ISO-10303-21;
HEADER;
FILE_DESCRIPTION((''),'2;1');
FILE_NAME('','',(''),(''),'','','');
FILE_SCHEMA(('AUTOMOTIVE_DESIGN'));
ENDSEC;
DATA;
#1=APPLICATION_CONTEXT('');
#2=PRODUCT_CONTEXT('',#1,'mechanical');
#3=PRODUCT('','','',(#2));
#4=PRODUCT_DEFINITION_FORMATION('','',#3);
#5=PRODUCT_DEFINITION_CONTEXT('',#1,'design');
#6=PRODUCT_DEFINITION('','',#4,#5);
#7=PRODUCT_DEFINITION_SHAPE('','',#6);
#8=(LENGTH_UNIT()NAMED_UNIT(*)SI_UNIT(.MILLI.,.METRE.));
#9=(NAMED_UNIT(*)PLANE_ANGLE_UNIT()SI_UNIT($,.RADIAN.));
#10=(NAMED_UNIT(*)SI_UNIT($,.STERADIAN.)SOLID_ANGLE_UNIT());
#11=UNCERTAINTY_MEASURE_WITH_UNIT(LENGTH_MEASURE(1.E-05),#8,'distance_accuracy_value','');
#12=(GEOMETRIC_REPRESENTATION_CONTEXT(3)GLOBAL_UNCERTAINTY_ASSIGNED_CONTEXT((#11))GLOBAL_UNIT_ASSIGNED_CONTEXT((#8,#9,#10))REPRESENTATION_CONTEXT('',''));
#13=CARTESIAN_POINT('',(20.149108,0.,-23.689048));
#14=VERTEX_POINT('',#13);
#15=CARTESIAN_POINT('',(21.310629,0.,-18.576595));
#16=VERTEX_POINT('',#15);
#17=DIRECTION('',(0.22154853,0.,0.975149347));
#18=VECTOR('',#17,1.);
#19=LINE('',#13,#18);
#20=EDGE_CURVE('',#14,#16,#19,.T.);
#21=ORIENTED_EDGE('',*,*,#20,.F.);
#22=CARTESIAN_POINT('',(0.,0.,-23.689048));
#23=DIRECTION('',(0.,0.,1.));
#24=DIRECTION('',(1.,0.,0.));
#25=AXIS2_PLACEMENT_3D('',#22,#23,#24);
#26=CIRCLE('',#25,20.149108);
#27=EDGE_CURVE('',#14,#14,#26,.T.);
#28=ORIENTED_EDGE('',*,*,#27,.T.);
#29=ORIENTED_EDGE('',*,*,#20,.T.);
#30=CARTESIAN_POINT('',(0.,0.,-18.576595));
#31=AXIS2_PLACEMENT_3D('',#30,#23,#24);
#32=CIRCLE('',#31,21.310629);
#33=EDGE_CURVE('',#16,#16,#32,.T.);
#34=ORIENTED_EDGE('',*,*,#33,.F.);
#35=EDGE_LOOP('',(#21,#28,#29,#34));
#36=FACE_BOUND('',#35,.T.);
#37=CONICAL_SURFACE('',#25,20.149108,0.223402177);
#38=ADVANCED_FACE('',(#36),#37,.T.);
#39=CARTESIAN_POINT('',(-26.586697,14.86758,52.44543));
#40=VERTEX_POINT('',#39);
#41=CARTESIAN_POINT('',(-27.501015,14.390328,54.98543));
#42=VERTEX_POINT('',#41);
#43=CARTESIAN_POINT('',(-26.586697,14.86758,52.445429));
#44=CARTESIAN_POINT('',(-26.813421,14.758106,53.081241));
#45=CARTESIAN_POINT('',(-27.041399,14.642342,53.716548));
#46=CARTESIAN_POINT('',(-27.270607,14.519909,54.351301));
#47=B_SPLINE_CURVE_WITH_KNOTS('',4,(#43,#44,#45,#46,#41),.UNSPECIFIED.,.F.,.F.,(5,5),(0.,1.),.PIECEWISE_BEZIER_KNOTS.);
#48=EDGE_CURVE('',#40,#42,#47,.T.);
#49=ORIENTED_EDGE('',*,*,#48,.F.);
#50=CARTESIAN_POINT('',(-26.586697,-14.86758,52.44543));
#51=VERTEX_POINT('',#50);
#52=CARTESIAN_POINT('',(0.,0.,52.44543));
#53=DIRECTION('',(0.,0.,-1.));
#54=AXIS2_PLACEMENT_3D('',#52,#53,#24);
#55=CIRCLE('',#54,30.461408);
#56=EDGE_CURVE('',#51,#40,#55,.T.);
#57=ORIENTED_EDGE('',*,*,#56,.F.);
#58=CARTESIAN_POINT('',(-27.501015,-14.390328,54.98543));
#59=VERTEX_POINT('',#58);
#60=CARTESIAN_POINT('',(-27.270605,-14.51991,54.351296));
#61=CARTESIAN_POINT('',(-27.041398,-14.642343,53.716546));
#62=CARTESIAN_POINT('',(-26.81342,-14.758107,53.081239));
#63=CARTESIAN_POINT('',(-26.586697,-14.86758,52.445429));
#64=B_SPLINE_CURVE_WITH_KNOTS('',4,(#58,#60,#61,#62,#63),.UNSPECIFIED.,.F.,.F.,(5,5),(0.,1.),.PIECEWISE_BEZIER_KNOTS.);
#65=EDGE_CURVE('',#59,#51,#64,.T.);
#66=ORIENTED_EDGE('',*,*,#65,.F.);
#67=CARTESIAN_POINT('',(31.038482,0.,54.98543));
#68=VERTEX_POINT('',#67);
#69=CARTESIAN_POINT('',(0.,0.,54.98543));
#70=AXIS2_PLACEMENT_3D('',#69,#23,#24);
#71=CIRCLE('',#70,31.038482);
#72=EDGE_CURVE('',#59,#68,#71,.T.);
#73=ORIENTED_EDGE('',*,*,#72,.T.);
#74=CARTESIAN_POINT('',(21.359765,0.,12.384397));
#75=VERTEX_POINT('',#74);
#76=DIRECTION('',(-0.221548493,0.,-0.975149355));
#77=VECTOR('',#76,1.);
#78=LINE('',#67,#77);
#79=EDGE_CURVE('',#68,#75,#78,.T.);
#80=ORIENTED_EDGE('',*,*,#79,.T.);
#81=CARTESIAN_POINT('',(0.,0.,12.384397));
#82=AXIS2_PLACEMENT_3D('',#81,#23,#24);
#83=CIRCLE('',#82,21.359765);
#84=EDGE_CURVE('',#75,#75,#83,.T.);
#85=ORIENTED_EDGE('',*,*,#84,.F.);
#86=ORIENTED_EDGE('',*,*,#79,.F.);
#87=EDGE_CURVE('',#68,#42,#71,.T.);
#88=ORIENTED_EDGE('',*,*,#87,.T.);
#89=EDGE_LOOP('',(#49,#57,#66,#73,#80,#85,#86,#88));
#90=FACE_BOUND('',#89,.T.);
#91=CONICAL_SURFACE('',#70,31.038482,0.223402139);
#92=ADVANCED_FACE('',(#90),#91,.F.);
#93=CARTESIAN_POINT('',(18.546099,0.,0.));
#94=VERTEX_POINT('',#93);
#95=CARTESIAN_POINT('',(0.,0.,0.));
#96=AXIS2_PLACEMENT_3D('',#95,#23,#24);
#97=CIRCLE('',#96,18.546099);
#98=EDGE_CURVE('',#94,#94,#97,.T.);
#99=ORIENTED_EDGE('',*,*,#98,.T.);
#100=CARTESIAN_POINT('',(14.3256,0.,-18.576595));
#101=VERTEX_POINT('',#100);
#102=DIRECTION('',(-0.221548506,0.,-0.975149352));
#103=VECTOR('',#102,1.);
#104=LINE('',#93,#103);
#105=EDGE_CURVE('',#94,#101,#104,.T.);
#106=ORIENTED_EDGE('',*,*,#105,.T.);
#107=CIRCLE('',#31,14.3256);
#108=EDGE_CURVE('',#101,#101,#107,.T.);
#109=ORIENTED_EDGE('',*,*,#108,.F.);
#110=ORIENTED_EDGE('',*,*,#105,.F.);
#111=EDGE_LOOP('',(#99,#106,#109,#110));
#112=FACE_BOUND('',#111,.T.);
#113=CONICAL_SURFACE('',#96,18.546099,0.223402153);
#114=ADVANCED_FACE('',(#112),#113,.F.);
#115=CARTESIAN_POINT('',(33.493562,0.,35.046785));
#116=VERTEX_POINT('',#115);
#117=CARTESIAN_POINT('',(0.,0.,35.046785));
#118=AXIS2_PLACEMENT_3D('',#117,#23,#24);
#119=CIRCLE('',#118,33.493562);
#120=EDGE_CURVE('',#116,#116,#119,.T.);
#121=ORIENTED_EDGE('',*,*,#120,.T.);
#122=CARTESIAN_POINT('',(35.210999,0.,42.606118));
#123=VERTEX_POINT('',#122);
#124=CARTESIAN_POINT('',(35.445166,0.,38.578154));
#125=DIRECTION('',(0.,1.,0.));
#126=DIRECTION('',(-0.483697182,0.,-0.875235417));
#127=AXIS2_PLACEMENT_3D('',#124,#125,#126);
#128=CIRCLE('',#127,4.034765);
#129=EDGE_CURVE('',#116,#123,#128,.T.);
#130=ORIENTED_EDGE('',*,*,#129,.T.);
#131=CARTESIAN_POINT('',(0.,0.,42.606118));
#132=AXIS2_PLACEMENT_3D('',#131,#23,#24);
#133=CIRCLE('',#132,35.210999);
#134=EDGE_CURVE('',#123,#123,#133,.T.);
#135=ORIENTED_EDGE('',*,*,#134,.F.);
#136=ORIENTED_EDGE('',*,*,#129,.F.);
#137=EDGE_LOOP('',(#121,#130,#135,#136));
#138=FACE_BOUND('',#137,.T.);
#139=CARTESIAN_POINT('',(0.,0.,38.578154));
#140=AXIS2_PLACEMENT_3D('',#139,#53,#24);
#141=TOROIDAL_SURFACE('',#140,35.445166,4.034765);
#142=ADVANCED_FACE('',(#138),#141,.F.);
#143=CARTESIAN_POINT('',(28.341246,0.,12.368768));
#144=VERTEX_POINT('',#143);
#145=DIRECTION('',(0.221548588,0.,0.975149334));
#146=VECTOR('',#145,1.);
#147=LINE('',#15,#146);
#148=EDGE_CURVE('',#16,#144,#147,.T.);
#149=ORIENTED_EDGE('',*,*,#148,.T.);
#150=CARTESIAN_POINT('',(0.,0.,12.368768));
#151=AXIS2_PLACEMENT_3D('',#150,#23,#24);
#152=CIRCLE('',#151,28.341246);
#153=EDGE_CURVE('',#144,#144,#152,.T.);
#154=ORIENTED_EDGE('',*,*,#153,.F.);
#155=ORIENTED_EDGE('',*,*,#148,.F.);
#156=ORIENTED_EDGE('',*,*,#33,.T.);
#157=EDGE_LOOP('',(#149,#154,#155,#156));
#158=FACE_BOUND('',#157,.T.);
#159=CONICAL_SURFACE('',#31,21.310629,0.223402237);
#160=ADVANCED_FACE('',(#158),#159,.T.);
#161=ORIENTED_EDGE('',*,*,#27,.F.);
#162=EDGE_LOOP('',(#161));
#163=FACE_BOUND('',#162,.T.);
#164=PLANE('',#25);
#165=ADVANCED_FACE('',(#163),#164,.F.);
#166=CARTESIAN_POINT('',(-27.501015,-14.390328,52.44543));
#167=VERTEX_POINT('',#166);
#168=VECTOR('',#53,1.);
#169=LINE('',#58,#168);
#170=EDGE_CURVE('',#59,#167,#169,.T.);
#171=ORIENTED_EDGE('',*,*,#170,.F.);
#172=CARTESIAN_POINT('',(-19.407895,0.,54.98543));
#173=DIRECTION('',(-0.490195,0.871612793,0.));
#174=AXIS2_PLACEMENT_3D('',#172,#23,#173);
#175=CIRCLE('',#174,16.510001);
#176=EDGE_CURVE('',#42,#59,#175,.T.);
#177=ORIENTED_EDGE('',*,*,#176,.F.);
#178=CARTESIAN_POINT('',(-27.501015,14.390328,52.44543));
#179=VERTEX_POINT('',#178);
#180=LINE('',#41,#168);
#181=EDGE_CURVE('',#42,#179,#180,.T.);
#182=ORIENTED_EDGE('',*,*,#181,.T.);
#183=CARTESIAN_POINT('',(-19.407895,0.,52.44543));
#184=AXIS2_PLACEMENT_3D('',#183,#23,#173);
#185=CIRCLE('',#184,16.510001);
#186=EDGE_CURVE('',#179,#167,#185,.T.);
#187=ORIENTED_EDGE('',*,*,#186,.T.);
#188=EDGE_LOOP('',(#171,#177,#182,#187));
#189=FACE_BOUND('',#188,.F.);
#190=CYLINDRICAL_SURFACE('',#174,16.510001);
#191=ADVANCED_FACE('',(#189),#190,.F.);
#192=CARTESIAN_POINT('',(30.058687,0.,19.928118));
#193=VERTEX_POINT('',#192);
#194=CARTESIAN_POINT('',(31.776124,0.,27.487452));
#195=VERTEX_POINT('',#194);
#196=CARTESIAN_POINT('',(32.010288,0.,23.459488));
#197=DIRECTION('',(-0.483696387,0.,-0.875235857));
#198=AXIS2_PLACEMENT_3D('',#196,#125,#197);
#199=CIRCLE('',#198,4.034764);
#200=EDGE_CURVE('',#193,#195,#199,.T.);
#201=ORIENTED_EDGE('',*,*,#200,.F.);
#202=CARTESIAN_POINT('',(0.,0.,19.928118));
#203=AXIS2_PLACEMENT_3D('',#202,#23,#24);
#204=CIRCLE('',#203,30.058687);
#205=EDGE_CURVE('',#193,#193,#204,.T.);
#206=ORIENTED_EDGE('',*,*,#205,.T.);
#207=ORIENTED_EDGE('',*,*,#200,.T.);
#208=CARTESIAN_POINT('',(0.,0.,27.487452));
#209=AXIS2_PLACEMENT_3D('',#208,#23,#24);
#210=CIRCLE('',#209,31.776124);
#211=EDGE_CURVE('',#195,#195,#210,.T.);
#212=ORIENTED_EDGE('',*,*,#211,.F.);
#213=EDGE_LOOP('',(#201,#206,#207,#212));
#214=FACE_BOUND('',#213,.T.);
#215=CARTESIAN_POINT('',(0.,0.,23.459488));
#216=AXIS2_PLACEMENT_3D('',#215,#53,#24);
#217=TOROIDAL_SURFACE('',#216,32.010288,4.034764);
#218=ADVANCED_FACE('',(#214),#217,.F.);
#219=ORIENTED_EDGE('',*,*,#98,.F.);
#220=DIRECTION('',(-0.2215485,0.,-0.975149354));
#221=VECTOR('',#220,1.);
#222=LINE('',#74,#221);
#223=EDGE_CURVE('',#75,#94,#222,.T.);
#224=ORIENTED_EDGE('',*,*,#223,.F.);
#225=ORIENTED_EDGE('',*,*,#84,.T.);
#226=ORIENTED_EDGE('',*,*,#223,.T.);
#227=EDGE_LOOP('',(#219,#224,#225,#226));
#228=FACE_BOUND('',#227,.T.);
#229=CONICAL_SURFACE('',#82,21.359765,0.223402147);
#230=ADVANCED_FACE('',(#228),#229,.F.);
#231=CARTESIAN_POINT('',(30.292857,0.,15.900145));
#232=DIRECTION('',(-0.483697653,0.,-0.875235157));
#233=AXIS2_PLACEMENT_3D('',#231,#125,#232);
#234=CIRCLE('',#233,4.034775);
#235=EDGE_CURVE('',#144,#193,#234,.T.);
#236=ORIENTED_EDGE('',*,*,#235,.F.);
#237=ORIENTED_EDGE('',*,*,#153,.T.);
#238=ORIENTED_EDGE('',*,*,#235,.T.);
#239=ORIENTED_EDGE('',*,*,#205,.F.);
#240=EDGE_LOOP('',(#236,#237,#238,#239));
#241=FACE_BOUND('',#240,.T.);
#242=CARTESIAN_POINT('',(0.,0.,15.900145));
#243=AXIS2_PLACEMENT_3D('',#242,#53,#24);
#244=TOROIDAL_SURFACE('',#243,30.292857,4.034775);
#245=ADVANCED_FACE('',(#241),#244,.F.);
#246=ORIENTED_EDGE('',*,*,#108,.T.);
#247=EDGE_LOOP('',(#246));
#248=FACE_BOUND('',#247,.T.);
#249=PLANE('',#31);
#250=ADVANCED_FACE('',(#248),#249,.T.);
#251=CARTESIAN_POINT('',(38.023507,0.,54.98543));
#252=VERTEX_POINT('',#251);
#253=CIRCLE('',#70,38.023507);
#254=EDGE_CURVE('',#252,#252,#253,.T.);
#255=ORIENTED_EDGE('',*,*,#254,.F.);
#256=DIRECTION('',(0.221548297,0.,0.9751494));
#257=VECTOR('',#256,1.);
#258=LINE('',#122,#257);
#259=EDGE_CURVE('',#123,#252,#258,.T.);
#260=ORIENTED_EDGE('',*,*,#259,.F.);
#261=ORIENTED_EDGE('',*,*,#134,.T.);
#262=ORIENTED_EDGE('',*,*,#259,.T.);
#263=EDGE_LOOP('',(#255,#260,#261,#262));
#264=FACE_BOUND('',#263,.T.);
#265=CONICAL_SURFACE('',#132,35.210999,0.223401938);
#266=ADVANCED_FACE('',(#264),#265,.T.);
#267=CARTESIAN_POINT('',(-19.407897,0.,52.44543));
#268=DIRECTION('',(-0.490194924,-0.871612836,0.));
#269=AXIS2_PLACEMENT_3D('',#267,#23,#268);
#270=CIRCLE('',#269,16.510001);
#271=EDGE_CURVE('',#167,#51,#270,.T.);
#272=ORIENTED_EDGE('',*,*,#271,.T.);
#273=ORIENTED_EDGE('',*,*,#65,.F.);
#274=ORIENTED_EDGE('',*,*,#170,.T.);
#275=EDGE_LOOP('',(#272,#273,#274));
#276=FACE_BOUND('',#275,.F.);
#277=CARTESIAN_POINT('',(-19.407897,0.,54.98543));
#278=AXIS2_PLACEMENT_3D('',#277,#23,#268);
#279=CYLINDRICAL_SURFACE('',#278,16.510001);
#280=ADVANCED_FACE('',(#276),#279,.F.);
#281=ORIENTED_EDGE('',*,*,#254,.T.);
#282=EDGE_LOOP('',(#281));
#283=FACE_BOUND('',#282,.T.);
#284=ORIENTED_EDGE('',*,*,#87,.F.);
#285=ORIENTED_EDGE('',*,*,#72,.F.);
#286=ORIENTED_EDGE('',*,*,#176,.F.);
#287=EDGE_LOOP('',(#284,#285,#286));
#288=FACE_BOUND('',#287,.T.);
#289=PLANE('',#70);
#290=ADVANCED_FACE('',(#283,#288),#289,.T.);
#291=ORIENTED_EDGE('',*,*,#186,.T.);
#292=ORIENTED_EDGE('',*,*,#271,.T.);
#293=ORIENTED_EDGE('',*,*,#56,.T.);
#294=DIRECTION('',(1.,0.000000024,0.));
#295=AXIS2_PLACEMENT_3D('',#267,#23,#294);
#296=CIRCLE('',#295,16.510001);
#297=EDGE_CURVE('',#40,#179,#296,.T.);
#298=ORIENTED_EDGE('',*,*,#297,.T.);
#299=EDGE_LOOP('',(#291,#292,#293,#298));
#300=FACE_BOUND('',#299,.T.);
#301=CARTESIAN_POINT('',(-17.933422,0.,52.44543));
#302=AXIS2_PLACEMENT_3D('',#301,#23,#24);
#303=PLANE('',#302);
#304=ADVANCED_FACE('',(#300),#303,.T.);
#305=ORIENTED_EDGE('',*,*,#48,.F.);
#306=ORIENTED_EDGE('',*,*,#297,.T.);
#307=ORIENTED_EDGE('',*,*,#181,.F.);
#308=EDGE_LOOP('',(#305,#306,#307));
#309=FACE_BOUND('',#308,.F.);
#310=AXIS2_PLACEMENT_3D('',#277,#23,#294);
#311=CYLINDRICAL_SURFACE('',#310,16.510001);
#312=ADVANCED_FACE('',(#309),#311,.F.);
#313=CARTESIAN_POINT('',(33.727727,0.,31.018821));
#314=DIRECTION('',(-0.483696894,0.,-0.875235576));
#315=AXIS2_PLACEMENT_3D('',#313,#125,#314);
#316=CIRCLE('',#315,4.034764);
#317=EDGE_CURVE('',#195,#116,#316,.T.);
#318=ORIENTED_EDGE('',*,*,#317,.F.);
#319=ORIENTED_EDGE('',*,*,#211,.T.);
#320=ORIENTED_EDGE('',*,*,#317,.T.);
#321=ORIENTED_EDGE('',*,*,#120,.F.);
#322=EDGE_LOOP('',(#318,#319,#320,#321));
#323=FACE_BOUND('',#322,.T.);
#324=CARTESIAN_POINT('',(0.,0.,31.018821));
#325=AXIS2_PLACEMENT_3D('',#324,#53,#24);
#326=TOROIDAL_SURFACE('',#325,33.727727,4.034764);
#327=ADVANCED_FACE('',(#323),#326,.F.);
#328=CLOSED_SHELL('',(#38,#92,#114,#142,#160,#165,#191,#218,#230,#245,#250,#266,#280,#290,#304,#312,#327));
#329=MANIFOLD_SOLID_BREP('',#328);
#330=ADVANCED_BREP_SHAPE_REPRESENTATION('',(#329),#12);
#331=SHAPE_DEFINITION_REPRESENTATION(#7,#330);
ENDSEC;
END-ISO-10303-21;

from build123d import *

# Parameters (mm, degrees)
F3_DEPTH = 2.54


with BuildPart() as f1:
    # F0 (on Front) → F1 (revolve)
    with BuildSketch(Plane.XZ):
        Polygon((14.3256, -18.576595), (0, -18.576595), (0, -23.689048), (20.149108, -23.689048), (21.310629, -18.576595), (18.322335, -18.576595), align=None)
        with BuildLine():
            Line((18.546099, 0), (14.3256, -18.576595))
            Line((14.3256, -18.576595), (18.322335, -18.576595))
            Line((18.322335, -18.576595), (21.310629, -18.576595))
            Line((21.310629, -18.576595), (28.341246, 12.368768))
            ThreePointArc((28.341246, 12.368768), (26.358349, 16.794042), (30.058687, 19.928118))
            ThreePointArc((30.058687, 19.928118), (28.07579, 24.353384), (31.776124, 27.487452))
            ThreePointArc((31.776124, 27.487452), (29.793229, 31.912717), (33.493562, 35.046785))
            ThreePointArc((33.493562, 35.046785), (31.510668, 39.47205), (35.210999, 42.606118))
            Line((35.210999, 42.606118), (38.023507, 54.98543))
            Line((38.023507, 54.98543), (35.035223, 54.98543))
            Line((35.035223, 54.98543), (31.038482, 54.98543))
            Line((31.038482, 54.98543), (21.359765, 12.384397))
            Line((21.359765, 12.384397), (18.546099, 0))
        make_face()
    revolve(axis=Axis((0, 0, 27.44695), (0, 0, 1)))

    # F2 (on face) → F3 (cut)
    with BuildSketch(Plane.XY.offset(54.98543)):
        with BuildLine():
            ThreePointArc((-27.501015, -14.390328), (-11.072349, -14.251272), (-2.897896, 0))
            ThreePointArc((-2.897896, 0), (-11.072349, 14.251272), (-27.501015, 14.390328))
            ThreePointArc((-27.501015, 14.390328), (-31.038482, 0), (-27.501015, -14.390328))
        make_face()
        with BuildLine():
            ThreePointArc((-27.501015, -14.390328), (-31.038482, 0), (-27.501015, 14.390328))
            ThreePointArc((-27.501015, 14.390328), (-35.917896, 0), (-27.501015, -14.390328))
        make_face()
    extrude(amount=-F3_DEPTH, mode=Mode.SUBTRACT)


solid = f1.part
